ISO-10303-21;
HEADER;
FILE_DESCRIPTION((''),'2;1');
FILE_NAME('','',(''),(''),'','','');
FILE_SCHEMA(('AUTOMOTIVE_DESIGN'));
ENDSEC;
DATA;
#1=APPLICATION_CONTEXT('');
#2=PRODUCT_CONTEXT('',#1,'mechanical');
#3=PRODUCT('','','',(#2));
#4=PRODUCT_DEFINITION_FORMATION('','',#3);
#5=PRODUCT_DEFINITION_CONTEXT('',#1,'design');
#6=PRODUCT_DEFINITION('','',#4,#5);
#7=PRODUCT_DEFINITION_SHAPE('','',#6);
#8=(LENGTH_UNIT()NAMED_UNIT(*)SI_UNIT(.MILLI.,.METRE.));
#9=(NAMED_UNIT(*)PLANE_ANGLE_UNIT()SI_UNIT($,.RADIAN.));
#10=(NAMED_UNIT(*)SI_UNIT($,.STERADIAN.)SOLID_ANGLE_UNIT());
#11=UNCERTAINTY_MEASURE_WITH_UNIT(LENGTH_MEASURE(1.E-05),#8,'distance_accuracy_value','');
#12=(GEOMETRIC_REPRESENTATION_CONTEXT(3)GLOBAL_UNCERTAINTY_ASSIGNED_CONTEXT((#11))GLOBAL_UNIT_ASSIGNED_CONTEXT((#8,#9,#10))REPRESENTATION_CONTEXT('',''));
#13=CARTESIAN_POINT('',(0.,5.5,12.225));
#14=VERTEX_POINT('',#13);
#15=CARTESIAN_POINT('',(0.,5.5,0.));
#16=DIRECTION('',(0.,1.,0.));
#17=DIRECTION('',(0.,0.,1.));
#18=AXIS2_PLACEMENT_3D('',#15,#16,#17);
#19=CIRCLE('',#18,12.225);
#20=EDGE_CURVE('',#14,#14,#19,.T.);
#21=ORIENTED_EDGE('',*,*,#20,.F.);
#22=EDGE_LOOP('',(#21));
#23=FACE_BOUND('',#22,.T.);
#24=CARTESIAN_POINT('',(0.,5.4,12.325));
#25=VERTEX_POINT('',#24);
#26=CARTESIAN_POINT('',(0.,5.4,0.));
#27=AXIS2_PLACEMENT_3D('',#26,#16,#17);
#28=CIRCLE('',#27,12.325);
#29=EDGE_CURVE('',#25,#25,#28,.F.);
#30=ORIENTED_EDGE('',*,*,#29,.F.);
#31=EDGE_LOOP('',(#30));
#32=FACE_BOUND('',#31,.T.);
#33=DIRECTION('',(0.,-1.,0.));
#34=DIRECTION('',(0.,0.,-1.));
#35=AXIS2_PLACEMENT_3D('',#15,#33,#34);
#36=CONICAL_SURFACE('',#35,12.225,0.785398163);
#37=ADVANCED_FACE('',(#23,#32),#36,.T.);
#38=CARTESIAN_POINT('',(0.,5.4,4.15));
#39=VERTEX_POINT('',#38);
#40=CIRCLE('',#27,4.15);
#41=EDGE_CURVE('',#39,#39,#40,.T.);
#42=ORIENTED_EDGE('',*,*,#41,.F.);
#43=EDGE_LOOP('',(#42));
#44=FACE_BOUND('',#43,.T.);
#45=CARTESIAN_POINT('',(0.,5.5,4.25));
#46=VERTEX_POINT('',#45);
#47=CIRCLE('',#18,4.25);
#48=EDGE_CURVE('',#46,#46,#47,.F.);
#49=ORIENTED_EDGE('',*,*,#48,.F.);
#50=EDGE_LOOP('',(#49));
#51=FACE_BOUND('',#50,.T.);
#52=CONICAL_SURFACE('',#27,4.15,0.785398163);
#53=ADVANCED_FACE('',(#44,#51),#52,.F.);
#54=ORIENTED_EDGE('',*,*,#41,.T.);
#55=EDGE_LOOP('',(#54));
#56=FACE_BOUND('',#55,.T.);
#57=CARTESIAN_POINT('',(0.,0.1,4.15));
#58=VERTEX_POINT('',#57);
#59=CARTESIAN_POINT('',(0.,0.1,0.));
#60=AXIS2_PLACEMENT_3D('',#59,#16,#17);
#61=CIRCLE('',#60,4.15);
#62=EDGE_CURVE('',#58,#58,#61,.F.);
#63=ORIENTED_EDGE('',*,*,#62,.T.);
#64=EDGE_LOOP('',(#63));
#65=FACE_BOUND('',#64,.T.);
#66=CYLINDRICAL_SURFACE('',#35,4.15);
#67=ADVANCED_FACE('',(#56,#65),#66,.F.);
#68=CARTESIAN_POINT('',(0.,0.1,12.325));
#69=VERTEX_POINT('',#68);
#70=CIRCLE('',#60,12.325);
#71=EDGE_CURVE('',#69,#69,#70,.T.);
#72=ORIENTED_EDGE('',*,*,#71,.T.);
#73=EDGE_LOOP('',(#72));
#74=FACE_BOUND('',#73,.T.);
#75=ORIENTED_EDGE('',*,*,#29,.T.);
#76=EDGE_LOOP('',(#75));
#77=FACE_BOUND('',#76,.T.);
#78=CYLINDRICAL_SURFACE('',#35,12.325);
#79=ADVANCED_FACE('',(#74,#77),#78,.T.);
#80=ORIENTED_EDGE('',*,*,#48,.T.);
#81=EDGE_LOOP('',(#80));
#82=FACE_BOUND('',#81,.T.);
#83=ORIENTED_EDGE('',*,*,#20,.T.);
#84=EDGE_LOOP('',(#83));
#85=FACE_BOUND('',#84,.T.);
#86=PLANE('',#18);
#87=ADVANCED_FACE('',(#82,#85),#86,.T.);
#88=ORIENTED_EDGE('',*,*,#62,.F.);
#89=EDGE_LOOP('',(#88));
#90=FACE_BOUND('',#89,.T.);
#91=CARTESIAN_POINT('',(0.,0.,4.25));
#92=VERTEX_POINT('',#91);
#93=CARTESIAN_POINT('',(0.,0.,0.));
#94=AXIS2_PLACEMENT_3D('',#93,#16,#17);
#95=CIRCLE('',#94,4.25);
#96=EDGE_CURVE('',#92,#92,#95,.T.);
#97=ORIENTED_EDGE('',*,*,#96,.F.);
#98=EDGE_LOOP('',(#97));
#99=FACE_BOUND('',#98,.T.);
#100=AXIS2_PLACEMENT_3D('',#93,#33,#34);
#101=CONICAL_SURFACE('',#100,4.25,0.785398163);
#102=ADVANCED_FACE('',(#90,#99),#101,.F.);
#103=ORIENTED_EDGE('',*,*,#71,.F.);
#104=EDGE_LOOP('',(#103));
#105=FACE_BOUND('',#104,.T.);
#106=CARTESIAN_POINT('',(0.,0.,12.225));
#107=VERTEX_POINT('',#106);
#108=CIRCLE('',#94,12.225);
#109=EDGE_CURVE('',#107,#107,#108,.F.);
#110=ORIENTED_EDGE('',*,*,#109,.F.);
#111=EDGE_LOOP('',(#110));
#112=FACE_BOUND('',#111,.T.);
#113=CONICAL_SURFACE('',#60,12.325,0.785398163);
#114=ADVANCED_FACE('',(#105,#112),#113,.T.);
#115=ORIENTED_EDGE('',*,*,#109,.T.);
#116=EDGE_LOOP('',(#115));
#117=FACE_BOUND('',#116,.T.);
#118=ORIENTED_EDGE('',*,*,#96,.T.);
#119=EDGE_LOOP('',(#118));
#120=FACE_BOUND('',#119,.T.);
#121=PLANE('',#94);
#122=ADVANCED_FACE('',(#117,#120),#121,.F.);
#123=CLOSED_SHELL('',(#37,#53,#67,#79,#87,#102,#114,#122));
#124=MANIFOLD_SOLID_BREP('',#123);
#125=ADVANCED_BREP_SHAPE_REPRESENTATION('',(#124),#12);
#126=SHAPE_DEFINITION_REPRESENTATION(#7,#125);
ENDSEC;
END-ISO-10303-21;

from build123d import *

# Parameters (mm, degrees)
SKETCH1_R           = 12.325
SKETCH1_R_2         = 4.15
BOSS_EXTRUDE1_DEPTH = 5.5
CHAMFER1_SIZE       = 0.1


with BuildPart() as part:
    # Sketch1 → Boss-Extrude1 (new body)
    with BuildSketch(Plane(origin=(0, 0, 0), x_dir=(1, 0, 0), z_dir=(0, 1, 0))):
        Circle(SKETCH1_R)
        Circle(SKETCH1_R_2, mode=Mode.SUBTRACT)
    extrude(amount=BOSS_EXTRUDE1_DEPTH)

    # Chamfer1
    chamfer1_edges = [part.edges().sort_by_distance(p)[0] for p in [
        (-12.325, 0, 0),
        (-12.325, 5.5, 0),
        (-4.15, 0, 0),
        (-4.15, 5.5, 0),
    ]]
    chamfer(chamfer1_edges, length=CHAMFER1_SIZE)


solid = part.part
